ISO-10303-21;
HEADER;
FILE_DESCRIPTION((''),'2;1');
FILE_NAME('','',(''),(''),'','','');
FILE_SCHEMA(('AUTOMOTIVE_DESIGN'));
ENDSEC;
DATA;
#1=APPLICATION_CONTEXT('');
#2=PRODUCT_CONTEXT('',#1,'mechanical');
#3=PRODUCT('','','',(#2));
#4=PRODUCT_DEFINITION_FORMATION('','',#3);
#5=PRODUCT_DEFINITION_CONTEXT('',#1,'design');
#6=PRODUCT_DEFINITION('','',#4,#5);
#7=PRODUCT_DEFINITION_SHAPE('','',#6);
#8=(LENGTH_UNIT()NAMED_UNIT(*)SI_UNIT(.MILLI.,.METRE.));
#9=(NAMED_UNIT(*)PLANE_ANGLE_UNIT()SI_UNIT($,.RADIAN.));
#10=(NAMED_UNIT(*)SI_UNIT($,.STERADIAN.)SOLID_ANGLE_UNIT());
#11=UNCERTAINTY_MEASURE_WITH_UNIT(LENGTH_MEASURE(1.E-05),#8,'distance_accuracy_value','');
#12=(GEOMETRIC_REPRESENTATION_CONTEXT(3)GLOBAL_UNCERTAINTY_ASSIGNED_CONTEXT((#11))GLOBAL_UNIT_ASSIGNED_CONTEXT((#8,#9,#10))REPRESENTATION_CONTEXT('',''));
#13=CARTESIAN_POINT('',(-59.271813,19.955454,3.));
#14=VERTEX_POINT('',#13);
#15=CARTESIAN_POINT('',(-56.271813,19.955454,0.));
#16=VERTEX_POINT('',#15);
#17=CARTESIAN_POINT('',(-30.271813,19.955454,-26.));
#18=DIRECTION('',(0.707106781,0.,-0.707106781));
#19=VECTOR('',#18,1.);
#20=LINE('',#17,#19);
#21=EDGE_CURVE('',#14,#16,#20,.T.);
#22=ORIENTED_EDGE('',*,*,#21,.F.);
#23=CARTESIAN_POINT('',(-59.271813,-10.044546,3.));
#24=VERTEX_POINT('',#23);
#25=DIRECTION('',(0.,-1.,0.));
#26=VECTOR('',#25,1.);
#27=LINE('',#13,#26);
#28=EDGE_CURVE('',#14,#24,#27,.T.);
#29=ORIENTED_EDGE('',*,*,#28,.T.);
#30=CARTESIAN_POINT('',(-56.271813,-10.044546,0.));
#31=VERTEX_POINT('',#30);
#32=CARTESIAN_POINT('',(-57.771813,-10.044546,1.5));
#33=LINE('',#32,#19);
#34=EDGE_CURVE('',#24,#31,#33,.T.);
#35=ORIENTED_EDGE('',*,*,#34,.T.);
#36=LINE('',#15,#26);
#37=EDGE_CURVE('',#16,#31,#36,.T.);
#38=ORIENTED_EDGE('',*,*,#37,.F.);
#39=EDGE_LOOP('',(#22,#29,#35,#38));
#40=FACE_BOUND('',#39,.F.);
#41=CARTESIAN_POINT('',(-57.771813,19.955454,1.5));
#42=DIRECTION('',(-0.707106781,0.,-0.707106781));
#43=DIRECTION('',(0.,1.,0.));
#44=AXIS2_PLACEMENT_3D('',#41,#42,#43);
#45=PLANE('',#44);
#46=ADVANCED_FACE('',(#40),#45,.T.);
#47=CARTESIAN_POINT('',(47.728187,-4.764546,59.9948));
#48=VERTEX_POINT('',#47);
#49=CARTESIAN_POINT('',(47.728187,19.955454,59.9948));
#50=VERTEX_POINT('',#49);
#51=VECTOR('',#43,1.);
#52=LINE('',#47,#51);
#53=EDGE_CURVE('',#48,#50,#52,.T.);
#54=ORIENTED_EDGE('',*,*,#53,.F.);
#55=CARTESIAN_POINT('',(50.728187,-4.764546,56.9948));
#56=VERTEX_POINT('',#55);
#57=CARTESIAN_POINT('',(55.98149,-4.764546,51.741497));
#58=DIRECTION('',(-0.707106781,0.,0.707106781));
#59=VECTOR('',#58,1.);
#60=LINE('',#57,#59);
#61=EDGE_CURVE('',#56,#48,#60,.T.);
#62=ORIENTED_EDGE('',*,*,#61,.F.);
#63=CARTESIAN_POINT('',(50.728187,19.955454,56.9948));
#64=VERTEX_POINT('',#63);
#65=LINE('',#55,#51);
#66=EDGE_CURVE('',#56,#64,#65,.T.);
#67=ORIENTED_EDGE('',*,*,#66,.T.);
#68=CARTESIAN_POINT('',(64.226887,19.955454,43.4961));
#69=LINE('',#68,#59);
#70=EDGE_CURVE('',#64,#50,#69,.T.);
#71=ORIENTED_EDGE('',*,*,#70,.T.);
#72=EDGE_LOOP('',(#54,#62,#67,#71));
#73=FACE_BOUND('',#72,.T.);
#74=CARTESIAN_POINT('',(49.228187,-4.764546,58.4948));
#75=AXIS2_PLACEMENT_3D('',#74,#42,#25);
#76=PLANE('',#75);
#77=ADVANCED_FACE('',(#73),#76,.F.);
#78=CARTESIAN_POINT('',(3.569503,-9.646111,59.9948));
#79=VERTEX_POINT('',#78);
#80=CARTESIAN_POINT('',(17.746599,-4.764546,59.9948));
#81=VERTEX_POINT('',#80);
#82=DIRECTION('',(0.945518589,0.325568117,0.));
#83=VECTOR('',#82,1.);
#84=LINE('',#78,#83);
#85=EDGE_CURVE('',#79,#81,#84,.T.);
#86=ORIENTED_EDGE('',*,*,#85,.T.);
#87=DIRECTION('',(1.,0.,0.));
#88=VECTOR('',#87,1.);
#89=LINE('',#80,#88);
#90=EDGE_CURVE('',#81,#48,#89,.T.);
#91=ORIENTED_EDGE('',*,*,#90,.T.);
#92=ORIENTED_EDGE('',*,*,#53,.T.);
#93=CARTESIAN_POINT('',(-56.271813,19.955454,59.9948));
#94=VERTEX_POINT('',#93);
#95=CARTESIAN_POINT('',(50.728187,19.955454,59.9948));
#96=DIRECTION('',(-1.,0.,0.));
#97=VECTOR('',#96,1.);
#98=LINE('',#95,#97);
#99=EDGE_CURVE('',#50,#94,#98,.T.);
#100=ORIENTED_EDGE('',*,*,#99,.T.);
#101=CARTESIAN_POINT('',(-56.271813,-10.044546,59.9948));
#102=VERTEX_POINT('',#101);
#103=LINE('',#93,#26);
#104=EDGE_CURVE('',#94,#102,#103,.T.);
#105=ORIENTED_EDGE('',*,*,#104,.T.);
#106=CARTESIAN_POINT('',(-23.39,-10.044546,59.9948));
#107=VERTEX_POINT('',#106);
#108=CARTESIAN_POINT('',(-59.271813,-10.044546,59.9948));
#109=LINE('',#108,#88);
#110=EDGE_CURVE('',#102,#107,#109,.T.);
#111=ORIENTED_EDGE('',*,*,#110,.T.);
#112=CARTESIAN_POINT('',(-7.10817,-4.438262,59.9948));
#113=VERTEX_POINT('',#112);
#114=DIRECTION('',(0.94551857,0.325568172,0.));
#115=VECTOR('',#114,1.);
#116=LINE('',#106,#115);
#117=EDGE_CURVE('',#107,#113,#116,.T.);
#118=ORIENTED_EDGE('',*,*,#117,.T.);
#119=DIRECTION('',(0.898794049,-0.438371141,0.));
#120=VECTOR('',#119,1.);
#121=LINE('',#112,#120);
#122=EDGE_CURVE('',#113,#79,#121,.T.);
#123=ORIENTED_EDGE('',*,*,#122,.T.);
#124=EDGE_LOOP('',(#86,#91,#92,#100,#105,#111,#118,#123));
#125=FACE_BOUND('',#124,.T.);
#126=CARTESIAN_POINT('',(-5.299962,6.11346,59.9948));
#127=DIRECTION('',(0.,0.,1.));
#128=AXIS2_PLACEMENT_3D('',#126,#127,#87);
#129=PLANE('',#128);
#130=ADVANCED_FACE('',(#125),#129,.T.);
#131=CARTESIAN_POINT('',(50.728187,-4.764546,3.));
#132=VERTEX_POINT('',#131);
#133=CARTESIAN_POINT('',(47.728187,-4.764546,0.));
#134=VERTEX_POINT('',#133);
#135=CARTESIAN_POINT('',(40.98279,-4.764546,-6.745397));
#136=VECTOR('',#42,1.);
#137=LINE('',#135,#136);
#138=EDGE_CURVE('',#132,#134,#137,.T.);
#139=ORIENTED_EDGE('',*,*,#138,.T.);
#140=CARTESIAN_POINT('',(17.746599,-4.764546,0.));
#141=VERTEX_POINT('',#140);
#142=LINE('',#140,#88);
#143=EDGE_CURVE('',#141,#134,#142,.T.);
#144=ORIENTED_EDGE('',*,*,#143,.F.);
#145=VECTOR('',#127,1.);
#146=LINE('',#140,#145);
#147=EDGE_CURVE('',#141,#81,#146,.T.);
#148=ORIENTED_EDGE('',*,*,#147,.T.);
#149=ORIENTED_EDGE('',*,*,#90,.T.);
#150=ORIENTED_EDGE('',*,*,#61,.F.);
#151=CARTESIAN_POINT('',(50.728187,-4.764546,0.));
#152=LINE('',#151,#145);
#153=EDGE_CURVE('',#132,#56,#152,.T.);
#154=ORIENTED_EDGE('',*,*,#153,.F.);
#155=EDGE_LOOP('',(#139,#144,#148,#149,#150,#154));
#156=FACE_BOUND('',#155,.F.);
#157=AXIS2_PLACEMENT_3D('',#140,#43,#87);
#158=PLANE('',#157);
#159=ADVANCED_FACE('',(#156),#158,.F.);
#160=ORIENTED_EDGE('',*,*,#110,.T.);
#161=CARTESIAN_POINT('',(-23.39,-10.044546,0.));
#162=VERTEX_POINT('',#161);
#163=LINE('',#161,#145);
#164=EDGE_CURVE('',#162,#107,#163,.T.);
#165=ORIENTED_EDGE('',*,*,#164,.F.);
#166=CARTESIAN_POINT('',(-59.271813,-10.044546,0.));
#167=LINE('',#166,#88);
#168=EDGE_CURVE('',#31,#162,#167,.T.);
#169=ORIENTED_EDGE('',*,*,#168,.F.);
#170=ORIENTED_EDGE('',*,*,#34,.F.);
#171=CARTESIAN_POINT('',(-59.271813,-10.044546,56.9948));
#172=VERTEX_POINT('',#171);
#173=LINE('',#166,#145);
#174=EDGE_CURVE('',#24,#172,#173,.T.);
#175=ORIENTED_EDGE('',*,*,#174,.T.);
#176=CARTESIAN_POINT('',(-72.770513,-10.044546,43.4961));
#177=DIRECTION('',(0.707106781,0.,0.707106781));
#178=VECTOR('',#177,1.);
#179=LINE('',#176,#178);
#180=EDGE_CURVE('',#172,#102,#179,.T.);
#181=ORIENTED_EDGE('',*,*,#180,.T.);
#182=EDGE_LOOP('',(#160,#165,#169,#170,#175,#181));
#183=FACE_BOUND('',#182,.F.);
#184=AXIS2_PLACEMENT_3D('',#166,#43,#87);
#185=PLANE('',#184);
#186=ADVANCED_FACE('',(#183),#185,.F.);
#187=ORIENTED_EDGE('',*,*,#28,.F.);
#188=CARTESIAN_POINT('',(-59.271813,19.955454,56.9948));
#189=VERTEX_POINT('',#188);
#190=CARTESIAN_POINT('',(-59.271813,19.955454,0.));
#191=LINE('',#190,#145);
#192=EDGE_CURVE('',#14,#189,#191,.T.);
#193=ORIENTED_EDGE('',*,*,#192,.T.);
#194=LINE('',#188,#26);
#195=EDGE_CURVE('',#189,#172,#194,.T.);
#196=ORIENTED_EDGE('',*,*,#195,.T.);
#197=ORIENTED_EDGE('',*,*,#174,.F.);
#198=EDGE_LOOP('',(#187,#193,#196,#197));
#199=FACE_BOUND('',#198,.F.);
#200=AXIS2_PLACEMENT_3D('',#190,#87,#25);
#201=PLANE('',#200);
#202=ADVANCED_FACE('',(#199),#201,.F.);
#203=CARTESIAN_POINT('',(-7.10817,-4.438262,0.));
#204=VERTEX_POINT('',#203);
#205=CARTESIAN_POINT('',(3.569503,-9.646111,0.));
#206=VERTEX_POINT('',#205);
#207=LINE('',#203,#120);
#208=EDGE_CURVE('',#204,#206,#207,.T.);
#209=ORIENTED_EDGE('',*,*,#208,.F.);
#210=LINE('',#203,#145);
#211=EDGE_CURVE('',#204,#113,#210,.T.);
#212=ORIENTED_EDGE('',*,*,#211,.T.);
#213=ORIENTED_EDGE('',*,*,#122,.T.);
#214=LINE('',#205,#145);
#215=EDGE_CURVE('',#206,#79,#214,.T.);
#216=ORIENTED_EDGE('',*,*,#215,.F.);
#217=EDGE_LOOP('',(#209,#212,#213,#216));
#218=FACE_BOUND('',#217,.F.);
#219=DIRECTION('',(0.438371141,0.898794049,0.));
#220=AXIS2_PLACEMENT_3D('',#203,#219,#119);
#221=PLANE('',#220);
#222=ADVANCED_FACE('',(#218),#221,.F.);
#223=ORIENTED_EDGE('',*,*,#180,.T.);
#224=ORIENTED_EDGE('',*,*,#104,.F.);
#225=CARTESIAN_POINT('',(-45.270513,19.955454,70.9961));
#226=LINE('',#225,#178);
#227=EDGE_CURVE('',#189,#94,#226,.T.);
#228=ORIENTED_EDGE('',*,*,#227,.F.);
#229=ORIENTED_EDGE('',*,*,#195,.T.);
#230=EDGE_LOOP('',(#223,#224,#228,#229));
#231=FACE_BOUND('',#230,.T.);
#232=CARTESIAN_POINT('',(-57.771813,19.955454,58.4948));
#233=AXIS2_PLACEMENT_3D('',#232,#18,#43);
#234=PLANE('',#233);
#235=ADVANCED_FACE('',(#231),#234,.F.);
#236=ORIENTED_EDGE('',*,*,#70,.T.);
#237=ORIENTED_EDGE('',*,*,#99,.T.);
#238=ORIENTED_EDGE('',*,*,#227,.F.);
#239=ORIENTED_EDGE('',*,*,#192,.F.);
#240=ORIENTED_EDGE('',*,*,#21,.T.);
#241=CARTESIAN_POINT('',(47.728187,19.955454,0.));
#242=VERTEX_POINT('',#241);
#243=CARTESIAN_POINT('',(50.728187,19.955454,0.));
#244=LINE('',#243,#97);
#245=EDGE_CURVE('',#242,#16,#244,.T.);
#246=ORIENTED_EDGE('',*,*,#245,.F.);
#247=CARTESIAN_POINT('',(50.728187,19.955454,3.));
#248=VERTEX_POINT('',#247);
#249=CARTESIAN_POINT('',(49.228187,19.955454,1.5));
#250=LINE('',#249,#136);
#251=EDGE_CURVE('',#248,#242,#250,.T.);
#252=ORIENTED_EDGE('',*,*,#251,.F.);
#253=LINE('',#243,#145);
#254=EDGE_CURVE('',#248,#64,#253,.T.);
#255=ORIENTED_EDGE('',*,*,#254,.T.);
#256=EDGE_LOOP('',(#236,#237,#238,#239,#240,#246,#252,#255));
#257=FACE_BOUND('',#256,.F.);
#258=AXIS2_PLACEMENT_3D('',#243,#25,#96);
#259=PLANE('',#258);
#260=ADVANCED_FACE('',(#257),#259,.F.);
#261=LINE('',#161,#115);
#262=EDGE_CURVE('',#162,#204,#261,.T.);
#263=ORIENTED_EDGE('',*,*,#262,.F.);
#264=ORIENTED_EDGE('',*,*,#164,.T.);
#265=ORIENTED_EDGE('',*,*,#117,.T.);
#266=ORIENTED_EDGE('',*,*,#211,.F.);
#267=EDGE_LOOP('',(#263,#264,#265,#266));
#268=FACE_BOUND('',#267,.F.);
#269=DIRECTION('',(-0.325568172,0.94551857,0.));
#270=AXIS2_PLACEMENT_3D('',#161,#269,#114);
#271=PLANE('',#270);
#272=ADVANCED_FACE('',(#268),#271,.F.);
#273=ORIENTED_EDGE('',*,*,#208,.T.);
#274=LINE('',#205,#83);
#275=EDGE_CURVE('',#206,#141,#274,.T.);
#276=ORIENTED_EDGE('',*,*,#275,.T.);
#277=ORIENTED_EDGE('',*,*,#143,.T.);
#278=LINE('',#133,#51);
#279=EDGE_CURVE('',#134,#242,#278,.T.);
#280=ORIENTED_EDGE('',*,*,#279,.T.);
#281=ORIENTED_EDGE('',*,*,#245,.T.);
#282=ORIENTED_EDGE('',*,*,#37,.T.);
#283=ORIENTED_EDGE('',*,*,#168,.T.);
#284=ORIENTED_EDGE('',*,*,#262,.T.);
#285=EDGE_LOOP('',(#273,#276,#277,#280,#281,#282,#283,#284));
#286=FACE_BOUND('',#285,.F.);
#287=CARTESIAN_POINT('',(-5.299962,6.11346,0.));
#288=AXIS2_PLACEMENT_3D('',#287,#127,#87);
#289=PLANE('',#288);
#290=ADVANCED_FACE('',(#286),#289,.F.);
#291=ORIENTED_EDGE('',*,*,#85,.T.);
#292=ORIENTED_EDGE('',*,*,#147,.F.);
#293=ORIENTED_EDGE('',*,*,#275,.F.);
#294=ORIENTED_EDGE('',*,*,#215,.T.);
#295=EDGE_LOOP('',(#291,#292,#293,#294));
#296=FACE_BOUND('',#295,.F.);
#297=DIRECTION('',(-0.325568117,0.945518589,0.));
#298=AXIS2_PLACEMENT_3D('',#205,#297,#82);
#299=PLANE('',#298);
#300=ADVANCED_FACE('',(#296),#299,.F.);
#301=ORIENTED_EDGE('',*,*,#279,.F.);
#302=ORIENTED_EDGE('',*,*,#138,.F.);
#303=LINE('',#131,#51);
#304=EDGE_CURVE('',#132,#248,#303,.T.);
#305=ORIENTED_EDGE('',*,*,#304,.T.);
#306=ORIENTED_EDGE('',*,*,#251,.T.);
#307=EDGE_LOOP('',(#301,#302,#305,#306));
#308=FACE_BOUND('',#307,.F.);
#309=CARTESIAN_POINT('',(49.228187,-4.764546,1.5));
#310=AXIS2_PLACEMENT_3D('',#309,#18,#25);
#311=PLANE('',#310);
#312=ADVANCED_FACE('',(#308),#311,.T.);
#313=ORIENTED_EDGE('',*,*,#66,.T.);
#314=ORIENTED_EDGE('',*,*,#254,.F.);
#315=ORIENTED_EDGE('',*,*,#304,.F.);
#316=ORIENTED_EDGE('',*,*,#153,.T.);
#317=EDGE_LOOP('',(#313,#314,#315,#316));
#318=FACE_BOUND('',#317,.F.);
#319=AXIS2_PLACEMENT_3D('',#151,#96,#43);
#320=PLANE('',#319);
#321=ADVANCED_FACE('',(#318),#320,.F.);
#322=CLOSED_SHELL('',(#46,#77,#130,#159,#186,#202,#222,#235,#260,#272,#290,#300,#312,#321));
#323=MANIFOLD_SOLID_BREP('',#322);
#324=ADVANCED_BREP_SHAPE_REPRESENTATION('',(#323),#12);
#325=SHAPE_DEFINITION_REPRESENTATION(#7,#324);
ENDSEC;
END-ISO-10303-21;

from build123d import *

# Parameters (mm, degrees)
F1_DEPTH = 59.9948
F2_SIZE  = 3


with BuildPart() as f1:
    # F0 (on Top) → F1 (new body)
    with BuildSketch(Plane.XY):
        Polygon((50.728187, 19.955454), (-59.271813, 19.955454), (-59.271813, -10.044546), (-23.39, -10.044546), (-7.10817, -4.438262), (3.569503, -9.646111), (17.746599, -4.764546), (50.728187, -4.764546), align=None)
    extrude(amount=F1_DEPTH)

    # F2
    f2_edges = [f1.edges().sort_by_distance(p)[0] for p in [
        (-59.271813, 4.955454, 0),
        (50.728187, 7.595454, 0),
        (50.728187, 7.595454, 59.9948),
        (-59.271813, 4.955454, 59.9948),
    ]]
    chamfer(f2_edges, length=F2_SIZE)


solid = f1.part
